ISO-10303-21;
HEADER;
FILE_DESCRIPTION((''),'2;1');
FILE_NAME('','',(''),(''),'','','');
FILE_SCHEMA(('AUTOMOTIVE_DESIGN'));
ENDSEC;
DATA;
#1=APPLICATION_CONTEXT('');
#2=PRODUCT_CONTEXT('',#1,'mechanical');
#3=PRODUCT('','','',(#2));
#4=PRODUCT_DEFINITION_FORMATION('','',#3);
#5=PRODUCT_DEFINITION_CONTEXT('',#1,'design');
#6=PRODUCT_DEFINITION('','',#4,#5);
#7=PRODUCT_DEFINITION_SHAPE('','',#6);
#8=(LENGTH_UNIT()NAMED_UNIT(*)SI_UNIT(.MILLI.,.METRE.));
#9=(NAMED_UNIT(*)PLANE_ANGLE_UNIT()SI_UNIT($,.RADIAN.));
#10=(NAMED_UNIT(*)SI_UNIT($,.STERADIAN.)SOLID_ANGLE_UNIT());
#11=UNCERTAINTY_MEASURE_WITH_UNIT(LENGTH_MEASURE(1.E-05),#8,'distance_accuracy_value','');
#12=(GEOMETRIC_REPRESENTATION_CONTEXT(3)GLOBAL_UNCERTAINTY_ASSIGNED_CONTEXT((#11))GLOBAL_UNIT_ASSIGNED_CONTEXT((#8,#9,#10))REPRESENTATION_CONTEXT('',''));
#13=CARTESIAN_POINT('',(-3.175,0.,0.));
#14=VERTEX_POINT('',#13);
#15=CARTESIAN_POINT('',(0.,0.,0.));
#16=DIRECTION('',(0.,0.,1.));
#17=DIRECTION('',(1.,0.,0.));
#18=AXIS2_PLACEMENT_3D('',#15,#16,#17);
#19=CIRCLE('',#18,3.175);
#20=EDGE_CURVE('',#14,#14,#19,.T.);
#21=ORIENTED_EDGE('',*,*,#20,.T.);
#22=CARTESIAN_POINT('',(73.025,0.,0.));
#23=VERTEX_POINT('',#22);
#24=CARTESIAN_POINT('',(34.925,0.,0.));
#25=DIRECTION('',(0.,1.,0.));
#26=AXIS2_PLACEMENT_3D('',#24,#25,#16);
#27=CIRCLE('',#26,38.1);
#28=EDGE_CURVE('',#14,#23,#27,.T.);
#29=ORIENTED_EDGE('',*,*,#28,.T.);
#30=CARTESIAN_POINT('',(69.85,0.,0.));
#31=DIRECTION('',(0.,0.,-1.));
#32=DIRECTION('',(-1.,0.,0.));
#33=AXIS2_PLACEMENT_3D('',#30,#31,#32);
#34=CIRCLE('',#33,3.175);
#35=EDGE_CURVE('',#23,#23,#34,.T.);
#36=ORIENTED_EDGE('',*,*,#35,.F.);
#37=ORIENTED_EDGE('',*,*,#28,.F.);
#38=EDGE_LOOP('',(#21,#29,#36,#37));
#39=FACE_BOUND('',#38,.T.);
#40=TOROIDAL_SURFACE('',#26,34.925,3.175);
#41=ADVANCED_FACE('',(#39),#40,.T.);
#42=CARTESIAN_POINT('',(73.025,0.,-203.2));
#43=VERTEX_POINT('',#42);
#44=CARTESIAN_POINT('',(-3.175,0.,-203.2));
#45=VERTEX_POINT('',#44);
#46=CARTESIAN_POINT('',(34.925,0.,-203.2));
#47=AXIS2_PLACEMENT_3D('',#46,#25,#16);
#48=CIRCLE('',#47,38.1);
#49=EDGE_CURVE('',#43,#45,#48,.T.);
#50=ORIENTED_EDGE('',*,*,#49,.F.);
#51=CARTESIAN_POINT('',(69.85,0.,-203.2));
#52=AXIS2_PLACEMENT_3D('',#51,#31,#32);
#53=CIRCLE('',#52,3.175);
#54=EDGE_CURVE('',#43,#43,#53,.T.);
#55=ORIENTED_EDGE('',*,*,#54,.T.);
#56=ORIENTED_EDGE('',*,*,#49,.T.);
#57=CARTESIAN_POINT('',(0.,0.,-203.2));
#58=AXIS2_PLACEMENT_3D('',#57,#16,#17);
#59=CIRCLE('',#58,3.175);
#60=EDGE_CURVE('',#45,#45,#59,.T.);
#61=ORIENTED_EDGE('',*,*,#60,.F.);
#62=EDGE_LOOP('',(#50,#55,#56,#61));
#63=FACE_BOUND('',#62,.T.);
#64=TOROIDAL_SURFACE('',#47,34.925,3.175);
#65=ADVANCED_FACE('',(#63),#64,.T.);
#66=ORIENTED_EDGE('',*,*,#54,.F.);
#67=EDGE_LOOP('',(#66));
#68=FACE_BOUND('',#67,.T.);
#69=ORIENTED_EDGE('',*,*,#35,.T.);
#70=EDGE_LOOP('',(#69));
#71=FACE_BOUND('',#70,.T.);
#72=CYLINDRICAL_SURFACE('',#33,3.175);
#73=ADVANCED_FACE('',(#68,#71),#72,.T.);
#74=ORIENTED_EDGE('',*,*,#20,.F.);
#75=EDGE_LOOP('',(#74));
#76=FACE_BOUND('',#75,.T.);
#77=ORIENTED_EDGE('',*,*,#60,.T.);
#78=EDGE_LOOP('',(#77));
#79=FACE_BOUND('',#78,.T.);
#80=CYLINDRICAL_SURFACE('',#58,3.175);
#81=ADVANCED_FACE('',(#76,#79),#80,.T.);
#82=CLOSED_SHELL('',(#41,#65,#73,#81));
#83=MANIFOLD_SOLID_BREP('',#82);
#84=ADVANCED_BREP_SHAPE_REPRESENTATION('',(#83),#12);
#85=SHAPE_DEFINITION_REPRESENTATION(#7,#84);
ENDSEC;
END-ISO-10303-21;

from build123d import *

# Parameters (mm, degrees)
SKETCH1_R = 3.175


with BuildPart() as part:
    # Sweep1: sweep along a path in Sketch2
    with BuildLine(Plane(origin=(0, 0, 0), x_dir=(1, 0, 0), z_dir=(0, 1, 0))) as sweep1_path:
        Line((0, 0), (0, 203.2))
        ThreePointArc((0, 203.2), (34.925, 238.125), (69.85, 203.2))
        Line((69.85, 203.2), (69.85, 0))
        ThreePointArc((69.85, 0), (34.925, -34.925), (0, 0))
    # Sketch1 → Sweep1 (sweep)
    with BuildSketch(Plane.XY):
        Circle(SKETCH1_R)
    sweep(path=sweep1_path.line)


solid = part.part
